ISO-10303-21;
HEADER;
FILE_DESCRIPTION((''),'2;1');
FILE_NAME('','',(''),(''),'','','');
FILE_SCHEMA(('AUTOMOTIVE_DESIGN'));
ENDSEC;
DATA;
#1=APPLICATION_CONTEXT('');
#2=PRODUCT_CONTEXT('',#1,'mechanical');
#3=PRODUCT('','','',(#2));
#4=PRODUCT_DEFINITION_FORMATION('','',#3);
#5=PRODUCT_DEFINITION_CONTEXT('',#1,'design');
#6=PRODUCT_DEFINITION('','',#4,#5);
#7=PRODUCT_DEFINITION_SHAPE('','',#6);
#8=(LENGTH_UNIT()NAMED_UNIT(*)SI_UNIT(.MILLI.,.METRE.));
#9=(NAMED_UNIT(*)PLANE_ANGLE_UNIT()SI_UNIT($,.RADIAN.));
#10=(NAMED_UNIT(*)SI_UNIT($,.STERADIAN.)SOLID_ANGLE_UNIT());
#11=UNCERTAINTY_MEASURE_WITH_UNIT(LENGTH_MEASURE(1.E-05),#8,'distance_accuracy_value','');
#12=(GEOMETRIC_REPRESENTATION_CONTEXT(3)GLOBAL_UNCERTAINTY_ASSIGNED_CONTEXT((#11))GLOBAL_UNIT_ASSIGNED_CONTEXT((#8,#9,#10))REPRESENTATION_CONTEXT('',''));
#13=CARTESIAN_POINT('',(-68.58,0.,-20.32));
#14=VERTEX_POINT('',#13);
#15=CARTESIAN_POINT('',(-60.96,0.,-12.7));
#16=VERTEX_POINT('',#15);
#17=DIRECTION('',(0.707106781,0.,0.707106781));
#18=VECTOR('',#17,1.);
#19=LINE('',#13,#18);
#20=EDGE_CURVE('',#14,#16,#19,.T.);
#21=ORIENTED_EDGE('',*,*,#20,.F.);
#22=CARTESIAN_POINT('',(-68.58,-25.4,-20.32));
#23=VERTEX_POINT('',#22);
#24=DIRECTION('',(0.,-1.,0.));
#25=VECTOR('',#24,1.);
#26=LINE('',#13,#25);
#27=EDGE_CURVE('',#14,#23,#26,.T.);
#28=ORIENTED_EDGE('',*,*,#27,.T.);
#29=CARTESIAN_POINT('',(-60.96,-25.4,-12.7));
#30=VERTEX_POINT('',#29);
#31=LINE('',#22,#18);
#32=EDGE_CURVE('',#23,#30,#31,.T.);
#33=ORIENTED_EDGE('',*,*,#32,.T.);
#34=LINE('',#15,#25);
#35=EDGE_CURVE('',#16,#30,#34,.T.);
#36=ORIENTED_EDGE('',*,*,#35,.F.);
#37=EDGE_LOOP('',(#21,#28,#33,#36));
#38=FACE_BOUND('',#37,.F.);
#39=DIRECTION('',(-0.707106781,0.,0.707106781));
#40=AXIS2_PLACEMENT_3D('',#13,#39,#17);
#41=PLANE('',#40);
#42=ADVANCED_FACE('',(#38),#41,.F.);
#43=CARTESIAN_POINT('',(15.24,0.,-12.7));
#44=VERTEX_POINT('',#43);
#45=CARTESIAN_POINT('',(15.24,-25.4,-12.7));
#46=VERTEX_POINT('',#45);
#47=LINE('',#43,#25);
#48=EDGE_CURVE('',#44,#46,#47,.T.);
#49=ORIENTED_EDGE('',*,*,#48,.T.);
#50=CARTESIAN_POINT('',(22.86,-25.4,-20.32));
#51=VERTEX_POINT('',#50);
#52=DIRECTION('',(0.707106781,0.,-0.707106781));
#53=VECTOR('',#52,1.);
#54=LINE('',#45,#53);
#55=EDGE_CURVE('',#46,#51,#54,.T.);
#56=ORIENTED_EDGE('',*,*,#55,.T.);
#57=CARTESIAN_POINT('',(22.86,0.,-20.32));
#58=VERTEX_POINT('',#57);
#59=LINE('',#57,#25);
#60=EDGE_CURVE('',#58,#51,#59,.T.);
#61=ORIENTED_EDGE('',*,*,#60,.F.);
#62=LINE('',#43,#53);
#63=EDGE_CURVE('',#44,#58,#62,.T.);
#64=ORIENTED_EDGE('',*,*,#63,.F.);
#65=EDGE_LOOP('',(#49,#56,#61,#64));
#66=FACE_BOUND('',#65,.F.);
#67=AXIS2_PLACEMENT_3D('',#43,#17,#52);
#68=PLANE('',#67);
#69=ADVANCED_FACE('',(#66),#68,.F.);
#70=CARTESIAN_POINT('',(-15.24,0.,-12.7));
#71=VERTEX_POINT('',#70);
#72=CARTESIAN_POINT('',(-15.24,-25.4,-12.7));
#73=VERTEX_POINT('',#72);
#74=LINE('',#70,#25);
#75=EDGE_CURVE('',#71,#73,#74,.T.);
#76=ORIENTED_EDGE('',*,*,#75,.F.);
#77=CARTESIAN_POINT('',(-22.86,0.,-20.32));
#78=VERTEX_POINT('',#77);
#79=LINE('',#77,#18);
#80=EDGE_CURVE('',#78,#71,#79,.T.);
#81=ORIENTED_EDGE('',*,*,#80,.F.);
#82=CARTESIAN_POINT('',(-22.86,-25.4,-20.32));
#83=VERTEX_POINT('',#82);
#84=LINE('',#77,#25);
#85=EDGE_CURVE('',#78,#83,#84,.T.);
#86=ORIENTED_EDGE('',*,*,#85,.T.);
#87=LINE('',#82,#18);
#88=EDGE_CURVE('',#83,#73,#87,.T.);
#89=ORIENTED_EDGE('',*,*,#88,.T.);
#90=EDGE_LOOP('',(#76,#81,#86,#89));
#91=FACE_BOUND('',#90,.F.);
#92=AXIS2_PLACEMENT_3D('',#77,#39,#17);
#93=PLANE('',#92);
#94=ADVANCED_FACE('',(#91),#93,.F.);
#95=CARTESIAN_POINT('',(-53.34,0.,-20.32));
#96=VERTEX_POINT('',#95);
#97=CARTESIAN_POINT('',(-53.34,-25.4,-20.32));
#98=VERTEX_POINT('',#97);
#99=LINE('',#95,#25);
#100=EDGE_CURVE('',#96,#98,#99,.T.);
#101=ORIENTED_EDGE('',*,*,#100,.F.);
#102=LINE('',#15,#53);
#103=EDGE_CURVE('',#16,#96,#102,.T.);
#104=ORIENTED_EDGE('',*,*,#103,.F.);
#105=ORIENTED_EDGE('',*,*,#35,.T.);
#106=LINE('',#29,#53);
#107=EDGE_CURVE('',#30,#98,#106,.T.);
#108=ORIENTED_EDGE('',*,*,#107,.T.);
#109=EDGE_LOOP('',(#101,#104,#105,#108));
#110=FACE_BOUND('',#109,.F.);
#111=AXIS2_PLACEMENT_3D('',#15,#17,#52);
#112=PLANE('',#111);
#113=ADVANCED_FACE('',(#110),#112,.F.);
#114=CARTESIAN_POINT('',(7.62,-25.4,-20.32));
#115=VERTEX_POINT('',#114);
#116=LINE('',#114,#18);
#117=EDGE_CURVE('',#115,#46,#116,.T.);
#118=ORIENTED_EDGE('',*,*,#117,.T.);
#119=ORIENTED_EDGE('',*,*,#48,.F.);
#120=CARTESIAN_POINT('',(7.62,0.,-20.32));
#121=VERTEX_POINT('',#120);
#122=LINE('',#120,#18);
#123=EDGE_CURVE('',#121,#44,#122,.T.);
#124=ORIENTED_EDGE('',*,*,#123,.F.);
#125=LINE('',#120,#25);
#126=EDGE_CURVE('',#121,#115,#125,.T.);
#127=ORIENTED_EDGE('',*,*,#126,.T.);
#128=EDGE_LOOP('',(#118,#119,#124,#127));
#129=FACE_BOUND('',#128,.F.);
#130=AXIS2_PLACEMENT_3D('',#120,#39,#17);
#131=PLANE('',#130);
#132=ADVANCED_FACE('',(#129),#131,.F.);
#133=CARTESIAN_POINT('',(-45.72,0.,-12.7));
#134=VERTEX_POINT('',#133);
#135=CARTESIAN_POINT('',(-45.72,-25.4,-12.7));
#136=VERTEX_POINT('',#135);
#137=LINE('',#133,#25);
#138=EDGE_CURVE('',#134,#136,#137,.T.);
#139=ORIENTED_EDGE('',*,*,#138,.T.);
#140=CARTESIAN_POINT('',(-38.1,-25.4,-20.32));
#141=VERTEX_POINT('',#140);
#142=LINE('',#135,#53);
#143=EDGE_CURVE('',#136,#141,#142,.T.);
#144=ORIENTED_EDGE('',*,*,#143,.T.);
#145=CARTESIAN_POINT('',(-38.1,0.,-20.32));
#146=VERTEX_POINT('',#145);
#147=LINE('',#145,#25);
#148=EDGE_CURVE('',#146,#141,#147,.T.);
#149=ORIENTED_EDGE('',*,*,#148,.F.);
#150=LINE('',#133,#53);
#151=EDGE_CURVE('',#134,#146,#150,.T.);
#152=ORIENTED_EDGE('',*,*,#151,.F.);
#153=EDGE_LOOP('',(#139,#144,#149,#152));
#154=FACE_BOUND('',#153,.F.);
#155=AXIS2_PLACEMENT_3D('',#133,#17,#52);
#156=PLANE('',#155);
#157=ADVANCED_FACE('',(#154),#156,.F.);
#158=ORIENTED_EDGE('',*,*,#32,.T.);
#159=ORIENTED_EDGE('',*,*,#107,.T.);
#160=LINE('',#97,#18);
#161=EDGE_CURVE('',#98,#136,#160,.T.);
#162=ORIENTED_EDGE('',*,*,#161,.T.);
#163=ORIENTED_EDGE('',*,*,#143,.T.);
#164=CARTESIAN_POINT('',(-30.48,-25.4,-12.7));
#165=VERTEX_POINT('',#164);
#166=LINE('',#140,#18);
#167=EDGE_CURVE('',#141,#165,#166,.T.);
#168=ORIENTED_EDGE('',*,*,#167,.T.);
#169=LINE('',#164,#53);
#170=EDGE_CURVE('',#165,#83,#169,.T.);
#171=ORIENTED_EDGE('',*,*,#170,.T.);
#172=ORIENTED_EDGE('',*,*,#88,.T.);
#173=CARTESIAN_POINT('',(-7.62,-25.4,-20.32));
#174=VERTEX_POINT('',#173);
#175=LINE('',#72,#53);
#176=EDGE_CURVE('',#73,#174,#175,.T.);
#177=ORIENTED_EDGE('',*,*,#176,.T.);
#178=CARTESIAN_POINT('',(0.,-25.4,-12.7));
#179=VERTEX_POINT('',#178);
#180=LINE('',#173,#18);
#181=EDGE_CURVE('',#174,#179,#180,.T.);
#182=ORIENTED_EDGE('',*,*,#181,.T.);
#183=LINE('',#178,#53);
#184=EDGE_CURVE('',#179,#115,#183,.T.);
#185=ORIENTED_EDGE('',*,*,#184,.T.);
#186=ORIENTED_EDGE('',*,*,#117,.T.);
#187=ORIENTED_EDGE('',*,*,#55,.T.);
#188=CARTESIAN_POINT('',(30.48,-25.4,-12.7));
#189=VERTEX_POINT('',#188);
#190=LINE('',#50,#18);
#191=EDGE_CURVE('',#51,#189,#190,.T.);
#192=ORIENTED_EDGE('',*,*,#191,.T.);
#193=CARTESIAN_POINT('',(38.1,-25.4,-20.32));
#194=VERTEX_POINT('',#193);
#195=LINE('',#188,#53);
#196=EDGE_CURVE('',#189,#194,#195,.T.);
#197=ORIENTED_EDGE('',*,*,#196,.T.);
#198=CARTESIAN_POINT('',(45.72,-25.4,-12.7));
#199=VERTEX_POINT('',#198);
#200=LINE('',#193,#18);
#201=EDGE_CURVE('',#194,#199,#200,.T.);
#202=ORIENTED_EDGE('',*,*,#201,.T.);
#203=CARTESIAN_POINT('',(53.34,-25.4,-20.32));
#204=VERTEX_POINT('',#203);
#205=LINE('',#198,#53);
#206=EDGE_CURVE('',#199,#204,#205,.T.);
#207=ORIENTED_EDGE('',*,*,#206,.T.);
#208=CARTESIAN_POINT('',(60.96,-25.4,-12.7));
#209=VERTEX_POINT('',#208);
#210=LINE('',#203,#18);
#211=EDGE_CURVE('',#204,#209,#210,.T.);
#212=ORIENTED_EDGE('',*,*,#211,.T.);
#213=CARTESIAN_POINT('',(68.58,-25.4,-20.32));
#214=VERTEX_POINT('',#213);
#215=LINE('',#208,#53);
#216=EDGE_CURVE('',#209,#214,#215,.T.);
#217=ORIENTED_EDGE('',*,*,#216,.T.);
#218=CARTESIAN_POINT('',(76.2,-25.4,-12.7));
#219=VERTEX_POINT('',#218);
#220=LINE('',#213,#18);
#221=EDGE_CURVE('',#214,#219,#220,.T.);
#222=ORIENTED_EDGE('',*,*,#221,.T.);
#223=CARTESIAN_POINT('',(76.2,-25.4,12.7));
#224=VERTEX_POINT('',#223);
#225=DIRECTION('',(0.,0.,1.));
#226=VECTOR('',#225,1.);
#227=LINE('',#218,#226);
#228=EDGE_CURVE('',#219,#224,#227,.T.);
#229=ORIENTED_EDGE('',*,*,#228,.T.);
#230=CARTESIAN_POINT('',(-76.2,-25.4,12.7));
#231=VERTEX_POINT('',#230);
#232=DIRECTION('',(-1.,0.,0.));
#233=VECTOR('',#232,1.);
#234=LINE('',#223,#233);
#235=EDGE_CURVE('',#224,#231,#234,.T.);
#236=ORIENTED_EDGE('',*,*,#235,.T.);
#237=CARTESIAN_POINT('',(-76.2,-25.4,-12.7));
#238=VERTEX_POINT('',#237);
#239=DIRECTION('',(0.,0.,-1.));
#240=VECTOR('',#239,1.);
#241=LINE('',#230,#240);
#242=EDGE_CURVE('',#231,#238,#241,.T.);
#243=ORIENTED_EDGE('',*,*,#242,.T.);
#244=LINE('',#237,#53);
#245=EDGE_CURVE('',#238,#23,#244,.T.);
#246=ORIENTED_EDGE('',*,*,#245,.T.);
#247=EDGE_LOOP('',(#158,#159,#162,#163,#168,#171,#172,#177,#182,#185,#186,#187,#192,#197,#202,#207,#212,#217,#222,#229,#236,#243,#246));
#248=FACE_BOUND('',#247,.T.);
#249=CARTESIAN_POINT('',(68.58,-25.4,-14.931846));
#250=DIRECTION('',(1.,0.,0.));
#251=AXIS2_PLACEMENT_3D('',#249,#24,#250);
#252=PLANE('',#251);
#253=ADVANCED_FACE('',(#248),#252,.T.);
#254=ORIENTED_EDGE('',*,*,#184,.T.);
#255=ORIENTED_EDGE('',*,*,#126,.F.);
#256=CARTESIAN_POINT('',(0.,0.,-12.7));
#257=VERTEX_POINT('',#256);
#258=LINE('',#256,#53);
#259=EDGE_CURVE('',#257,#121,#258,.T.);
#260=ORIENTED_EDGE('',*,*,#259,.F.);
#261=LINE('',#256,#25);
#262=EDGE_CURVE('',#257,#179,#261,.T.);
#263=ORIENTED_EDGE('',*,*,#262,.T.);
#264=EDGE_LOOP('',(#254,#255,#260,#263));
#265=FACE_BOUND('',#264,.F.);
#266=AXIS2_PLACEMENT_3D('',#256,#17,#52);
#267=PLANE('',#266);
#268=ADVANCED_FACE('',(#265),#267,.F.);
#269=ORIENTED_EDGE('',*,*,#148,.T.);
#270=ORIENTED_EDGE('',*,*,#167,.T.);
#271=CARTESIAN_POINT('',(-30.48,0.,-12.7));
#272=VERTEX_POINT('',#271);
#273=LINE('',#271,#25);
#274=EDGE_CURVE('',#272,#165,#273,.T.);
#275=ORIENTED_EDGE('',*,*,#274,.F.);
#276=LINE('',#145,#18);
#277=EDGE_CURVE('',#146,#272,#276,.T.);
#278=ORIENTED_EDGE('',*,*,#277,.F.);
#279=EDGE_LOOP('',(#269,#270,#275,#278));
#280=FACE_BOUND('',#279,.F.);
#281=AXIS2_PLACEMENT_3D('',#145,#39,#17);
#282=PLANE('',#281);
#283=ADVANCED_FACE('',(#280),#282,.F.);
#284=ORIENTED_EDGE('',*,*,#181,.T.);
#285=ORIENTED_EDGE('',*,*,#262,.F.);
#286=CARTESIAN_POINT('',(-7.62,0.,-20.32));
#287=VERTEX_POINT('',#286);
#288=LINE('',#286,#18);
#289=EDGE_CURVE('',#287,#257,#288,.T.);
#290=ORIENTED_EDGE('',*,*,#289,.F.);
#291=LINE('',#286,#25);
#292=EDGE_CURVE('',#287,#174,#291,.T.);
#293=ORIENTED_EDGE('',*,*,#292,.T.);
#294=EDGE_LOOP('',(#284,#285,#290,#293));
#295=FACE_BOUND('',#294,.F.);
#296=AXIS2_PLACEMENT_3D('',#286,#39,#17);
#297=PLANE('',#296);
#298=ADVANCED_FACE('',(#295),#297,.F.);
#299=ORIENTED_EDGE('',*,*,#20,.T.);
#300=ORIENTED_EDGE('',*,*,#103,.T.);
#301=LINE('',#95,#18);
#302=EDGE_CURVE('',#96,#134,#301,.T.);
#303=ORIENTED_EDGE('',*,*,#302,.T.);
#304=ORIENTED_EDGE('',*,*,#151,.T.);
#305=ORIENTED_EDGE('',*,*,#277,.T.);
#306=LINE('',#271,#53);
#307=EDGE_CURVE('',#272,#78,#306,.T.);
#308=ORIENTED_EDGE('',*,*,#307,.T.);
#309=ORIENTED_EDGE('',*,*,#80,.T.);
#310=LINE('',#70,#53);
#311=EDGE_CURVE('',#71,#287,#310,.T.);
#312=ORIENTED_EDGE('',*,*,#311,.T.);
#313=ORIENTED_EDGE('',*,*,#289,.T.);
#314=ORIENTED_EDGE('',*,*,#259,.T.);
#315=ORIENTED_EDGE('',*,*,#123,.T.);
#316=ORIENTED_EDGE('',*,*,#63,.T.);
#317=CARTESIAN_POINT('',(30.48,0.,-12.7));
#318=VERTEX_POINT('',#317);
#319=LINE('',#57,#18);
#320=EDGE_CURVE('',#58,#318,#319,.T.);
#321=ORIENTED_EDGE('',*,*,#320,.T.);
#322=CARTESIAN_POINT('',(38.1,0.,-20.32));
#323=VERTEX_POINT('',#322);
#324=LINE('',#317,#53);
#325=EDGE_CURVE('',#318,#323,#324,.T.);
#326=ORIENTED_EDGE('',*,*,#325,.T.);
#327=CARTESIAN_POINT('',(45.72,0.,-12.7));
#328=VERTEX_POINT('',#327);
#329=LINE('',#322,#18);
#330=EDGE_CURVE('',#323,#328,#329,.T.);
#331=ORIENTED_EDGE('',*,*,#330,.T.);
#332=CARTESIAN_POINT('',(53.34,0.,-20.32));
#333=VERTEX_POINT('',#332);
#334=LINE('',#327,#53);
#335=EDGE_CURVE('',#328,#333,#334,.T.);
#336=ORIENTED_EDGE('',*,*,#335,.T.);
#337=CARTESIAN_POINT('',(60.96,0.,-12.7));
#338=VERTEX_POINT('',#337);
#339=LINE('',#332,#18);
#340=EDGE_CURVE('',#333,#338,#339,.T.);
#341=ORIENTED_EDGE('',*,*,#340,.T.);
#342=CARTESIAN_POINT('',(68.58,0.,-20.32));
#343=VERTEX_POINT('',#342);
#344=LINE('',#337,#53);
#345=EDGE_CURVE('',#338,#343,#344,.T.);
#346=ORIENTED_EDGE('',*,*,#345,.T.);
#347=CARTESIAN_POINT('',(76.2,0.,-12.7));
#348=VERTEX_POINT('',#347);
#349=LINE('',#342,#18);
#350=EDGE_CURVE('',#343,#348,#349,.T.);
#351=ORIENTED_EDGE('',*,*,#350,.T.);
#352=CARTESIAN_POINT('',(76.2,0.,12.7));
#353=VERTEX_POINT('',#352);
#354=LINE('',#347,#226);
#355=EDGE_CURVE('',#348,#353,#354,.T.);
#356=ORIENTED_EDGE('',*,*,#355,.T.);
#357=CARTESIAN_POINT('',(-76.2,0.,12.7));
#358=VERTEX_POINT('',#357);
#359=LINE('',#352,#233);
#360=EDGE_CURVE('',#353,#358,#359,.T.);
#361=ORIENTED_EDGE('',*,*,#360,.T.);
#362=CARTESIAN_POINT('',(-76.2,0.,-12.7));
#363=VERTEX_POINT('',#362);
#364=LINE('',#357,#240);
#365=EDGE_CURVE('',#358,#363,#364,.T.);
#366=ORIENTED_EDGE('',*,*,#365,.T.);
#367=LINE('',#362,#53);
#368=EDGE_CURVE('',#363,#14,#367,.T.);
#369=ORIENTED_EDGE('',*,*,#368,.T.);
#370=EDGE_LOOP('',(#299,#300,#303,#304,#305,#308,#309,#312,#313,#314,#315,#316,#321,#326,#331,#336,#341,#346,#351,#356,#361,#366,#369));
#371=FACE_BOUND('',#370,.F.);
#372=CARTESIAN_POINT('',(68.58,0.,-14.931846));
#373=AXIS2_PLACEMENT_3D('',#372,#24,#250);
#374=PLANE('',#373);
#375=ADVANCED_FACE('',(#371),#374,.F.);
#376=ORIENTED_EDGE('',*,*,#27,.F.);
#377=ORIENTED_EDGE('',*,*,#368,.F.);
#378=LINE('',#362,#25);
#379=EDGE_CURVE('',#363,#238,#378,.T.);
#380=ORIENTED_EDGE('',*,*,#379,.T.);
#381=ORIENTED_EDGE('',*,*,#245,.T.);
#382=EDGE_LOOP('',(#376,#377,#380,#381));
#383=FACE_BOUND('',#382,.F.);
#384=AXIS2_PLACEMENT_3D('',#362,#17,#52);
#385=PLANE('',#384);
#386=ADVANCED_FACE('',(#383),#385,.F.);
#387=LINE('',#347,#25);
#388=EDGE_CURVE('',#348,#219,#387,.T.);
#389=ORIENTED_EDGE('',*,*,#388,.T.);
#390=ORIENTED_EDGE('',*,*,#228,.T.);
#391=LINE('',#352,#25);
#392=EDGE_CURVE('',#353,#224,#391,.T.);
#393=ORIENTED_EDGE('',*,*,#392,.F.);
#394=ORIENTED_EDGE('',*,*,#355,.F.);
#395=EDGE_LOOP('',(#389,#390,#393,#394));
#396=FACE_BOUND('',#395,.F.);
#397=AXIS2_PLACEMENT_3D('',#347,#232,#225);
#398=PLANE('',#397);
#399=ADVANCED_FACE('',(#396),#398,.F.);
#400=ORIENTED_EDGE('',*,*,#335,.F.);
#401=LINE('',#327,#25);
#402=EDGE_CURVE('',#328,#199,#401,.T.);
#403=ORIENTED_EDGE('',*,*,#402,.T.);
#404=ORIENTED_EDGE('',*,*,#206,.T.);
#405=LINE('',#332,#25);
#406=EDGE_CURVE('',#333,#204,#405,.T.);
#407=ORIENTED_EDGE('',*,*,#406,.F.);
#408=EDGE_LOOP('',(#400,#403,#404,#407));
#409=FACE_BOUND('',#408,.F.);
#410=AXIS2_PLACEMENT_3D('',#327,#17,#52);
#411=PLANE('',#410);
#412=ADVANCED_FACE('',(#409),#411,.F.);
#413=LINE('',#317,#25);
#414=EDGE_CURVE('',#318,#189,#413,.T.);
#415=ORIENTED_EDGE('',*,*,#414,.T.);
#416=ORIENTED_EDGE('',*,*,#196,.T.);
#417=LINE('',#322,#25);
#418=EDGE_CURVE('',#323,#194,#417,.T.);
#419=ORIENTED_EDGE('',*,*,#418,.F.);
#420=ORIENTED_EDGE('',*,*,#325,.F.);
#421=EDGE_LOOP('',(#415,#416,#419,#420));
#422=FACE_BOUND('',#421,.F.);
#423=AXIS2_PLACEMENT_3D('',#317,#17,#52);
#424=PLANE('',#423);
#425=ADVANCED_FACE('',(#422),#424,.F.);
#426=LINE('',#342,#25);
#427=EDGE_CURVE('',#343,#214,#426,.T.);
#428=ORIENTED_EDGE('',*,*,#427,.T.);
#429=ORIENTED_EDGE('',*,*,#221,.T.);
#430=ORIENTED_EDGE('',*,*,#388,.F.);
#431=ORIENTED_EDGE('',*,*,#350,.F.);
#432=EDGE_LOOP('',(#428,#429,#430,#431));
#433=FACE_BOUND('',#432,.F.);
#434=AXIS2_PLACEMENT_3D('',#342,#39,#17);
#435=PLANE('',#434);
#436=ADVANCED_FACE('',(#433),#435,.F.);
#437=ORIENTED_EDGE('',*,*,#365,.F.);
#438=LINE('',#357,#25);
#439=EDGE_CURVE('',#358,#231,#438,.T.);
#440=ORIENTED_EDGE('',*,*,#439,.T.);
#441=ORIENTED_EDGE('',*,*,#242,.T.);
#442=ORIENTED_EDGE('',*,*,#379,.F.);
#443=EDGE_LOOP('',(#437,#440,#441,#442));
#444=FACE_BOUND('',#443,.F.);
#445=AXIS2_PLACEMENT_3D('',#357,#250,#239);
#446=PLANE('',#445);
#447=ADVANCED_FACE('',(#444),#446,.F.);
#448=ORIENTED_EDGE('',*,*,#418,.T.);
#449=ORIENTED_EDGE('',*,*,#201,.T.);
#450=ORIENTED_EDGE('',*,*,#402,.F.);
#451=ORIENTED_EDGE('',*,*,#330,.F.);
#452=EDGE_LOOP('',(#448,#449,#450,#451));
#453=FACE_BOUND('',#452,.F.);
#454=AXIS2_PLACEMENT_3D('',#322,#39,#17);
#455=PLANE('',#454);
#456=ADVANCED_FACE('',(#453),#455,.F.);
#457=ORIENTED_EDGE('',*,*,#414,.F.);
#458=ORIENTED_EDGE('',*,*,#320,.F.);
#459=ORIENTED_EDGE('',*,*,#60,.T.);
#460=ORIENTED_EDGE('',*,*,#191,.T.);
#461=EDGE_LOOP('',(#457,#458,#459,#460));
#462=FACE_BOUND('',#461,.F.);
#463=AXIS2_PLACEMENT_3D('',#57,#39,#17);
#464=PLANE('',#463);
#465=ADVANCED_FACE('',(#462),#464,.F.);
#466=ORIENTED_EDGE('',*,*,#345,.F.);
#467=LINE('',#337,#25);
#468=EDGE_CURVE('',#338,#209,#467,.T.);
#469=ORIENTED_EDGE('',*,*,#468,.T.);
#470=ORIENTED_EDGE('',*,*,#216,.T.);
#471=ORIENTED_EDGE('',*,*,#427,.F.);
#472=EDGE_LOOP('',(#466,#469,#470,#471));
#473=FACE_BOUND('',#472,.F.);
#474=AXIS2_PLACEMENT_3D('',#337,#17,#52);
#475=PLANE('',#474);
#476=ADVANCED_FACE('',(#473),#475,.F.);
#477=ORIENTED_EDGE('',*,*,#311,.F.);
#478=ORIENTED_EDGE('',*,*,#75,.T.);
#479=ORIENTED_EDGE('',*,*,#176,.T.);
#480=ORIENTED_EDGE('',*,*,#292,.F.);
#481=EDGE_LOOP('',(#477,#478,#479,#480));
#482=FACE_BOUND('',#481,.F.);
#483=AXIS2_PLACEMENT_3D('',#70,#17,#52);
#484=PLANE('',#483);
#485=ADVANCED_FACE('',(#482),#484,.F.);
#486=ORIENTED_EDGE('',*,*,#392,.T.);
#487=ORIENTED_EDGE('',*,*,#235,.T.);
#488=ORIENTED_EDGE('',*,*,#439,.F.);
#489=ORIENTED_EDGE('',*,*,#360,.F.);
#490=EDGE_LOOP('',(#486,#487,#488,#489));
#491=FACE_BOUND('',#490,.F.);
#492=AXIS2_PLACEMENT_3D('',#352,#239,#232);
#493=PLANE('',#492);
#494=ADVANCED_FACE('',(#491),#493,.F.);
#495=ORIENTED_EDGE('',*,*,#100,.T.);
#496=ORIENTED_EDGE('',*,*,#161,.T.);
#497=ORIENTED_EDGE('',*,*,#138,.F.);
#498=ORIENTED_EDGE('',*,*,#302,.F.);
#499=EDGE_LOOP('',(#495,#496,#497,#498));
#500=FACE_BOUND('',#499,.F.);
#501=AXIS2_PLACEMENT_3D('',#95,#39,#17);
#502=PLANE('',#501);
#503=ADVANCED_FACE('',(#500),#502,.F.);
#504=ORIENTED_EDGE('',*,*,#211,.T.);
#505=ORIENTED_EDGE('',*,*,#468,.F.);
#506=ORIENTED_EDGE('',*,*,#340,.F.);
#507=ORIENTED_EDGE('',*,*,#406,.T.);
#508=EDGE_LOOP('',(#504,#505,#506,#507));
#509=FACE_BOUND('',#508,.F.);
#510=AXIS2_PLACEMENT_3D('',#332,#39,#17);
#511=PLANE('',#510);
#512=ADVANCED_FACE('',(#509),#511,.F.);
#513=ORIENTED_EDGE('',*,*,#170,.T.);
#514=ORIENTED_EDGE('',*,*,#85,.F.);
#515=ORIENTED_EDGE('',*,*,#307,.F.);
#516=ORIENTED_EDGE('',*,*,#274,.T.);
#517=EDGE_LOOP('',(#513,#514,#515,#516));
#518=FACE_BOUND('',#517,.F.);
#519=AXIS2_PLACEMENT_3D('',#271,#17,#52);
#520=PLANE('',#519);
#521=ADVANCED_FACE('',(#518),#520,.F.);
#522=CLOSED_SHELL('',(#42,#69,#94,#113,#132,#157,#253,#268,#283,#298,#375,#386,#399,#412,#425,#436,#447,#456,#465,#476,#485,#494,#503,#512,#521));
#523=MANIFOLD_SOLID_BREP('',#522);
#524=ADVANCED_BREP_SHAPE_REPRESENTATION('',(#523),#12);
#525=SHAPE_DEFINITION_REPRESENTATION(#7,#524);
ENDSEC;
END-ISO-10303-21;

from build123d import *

# Parameters (mm, degrees)
F1_DEPTH = 25.4


with BuildPart() as f1:
    # F0 (on Front) → F1 (new body)
    with BuildSketch(Plane.XZ):
        Polygon((68.58, -20.32), (76.2, -12.7), (60.96, -12.7), align=None)
        Polygon((60.96, -12.7), (76.2, -12.7), (76.2, 12.7), (-76.2, 12.7), (-76.2, -12.7), (-60.96, -12.7), (-45.72, -12.7), (-30.48, -12.7), (-15.24, -12.7), (0, -12.7), (15.24, -12.7), (30.48, -12.7), (45.72, -12.7), align=None)
        Polygon((53.34, -20.32), (60.96, -12.7), (45.72, -12.7), align=None)
        Polygon((38.1, -20.32), (45.72, -12.7), (30.48, -12.7), align=None)
        Polygon((22.86, -20.32), (30.48, -12.7), (15.24, -12.7), align=None)
        Polygon((-60.96, -12.7), (-76.2, -12.7), (-68.58, -20.32), align=None)
        Polygon((7.62, -20.32), (15.24, -12.7), (0, -12.7), align=None)
        Polygon((-45.72, -12.7), (-60.96, -12.7), (-53.34, -20.32), align=None)
        Polygon((-7.62, -20.32), (0, -12.7), (-15.24, -12.7), align=None)
        Polygon((-30.48, -12.7), (-45.72, -12.7), (-38.1, -20.32), align=None)
        Polygon((-22.86, -20.32), (-15.24, -12.7), (-30.48, -12.7), align=None)
    extrude(amount=F1_DEPTH)


solid = f1.part
